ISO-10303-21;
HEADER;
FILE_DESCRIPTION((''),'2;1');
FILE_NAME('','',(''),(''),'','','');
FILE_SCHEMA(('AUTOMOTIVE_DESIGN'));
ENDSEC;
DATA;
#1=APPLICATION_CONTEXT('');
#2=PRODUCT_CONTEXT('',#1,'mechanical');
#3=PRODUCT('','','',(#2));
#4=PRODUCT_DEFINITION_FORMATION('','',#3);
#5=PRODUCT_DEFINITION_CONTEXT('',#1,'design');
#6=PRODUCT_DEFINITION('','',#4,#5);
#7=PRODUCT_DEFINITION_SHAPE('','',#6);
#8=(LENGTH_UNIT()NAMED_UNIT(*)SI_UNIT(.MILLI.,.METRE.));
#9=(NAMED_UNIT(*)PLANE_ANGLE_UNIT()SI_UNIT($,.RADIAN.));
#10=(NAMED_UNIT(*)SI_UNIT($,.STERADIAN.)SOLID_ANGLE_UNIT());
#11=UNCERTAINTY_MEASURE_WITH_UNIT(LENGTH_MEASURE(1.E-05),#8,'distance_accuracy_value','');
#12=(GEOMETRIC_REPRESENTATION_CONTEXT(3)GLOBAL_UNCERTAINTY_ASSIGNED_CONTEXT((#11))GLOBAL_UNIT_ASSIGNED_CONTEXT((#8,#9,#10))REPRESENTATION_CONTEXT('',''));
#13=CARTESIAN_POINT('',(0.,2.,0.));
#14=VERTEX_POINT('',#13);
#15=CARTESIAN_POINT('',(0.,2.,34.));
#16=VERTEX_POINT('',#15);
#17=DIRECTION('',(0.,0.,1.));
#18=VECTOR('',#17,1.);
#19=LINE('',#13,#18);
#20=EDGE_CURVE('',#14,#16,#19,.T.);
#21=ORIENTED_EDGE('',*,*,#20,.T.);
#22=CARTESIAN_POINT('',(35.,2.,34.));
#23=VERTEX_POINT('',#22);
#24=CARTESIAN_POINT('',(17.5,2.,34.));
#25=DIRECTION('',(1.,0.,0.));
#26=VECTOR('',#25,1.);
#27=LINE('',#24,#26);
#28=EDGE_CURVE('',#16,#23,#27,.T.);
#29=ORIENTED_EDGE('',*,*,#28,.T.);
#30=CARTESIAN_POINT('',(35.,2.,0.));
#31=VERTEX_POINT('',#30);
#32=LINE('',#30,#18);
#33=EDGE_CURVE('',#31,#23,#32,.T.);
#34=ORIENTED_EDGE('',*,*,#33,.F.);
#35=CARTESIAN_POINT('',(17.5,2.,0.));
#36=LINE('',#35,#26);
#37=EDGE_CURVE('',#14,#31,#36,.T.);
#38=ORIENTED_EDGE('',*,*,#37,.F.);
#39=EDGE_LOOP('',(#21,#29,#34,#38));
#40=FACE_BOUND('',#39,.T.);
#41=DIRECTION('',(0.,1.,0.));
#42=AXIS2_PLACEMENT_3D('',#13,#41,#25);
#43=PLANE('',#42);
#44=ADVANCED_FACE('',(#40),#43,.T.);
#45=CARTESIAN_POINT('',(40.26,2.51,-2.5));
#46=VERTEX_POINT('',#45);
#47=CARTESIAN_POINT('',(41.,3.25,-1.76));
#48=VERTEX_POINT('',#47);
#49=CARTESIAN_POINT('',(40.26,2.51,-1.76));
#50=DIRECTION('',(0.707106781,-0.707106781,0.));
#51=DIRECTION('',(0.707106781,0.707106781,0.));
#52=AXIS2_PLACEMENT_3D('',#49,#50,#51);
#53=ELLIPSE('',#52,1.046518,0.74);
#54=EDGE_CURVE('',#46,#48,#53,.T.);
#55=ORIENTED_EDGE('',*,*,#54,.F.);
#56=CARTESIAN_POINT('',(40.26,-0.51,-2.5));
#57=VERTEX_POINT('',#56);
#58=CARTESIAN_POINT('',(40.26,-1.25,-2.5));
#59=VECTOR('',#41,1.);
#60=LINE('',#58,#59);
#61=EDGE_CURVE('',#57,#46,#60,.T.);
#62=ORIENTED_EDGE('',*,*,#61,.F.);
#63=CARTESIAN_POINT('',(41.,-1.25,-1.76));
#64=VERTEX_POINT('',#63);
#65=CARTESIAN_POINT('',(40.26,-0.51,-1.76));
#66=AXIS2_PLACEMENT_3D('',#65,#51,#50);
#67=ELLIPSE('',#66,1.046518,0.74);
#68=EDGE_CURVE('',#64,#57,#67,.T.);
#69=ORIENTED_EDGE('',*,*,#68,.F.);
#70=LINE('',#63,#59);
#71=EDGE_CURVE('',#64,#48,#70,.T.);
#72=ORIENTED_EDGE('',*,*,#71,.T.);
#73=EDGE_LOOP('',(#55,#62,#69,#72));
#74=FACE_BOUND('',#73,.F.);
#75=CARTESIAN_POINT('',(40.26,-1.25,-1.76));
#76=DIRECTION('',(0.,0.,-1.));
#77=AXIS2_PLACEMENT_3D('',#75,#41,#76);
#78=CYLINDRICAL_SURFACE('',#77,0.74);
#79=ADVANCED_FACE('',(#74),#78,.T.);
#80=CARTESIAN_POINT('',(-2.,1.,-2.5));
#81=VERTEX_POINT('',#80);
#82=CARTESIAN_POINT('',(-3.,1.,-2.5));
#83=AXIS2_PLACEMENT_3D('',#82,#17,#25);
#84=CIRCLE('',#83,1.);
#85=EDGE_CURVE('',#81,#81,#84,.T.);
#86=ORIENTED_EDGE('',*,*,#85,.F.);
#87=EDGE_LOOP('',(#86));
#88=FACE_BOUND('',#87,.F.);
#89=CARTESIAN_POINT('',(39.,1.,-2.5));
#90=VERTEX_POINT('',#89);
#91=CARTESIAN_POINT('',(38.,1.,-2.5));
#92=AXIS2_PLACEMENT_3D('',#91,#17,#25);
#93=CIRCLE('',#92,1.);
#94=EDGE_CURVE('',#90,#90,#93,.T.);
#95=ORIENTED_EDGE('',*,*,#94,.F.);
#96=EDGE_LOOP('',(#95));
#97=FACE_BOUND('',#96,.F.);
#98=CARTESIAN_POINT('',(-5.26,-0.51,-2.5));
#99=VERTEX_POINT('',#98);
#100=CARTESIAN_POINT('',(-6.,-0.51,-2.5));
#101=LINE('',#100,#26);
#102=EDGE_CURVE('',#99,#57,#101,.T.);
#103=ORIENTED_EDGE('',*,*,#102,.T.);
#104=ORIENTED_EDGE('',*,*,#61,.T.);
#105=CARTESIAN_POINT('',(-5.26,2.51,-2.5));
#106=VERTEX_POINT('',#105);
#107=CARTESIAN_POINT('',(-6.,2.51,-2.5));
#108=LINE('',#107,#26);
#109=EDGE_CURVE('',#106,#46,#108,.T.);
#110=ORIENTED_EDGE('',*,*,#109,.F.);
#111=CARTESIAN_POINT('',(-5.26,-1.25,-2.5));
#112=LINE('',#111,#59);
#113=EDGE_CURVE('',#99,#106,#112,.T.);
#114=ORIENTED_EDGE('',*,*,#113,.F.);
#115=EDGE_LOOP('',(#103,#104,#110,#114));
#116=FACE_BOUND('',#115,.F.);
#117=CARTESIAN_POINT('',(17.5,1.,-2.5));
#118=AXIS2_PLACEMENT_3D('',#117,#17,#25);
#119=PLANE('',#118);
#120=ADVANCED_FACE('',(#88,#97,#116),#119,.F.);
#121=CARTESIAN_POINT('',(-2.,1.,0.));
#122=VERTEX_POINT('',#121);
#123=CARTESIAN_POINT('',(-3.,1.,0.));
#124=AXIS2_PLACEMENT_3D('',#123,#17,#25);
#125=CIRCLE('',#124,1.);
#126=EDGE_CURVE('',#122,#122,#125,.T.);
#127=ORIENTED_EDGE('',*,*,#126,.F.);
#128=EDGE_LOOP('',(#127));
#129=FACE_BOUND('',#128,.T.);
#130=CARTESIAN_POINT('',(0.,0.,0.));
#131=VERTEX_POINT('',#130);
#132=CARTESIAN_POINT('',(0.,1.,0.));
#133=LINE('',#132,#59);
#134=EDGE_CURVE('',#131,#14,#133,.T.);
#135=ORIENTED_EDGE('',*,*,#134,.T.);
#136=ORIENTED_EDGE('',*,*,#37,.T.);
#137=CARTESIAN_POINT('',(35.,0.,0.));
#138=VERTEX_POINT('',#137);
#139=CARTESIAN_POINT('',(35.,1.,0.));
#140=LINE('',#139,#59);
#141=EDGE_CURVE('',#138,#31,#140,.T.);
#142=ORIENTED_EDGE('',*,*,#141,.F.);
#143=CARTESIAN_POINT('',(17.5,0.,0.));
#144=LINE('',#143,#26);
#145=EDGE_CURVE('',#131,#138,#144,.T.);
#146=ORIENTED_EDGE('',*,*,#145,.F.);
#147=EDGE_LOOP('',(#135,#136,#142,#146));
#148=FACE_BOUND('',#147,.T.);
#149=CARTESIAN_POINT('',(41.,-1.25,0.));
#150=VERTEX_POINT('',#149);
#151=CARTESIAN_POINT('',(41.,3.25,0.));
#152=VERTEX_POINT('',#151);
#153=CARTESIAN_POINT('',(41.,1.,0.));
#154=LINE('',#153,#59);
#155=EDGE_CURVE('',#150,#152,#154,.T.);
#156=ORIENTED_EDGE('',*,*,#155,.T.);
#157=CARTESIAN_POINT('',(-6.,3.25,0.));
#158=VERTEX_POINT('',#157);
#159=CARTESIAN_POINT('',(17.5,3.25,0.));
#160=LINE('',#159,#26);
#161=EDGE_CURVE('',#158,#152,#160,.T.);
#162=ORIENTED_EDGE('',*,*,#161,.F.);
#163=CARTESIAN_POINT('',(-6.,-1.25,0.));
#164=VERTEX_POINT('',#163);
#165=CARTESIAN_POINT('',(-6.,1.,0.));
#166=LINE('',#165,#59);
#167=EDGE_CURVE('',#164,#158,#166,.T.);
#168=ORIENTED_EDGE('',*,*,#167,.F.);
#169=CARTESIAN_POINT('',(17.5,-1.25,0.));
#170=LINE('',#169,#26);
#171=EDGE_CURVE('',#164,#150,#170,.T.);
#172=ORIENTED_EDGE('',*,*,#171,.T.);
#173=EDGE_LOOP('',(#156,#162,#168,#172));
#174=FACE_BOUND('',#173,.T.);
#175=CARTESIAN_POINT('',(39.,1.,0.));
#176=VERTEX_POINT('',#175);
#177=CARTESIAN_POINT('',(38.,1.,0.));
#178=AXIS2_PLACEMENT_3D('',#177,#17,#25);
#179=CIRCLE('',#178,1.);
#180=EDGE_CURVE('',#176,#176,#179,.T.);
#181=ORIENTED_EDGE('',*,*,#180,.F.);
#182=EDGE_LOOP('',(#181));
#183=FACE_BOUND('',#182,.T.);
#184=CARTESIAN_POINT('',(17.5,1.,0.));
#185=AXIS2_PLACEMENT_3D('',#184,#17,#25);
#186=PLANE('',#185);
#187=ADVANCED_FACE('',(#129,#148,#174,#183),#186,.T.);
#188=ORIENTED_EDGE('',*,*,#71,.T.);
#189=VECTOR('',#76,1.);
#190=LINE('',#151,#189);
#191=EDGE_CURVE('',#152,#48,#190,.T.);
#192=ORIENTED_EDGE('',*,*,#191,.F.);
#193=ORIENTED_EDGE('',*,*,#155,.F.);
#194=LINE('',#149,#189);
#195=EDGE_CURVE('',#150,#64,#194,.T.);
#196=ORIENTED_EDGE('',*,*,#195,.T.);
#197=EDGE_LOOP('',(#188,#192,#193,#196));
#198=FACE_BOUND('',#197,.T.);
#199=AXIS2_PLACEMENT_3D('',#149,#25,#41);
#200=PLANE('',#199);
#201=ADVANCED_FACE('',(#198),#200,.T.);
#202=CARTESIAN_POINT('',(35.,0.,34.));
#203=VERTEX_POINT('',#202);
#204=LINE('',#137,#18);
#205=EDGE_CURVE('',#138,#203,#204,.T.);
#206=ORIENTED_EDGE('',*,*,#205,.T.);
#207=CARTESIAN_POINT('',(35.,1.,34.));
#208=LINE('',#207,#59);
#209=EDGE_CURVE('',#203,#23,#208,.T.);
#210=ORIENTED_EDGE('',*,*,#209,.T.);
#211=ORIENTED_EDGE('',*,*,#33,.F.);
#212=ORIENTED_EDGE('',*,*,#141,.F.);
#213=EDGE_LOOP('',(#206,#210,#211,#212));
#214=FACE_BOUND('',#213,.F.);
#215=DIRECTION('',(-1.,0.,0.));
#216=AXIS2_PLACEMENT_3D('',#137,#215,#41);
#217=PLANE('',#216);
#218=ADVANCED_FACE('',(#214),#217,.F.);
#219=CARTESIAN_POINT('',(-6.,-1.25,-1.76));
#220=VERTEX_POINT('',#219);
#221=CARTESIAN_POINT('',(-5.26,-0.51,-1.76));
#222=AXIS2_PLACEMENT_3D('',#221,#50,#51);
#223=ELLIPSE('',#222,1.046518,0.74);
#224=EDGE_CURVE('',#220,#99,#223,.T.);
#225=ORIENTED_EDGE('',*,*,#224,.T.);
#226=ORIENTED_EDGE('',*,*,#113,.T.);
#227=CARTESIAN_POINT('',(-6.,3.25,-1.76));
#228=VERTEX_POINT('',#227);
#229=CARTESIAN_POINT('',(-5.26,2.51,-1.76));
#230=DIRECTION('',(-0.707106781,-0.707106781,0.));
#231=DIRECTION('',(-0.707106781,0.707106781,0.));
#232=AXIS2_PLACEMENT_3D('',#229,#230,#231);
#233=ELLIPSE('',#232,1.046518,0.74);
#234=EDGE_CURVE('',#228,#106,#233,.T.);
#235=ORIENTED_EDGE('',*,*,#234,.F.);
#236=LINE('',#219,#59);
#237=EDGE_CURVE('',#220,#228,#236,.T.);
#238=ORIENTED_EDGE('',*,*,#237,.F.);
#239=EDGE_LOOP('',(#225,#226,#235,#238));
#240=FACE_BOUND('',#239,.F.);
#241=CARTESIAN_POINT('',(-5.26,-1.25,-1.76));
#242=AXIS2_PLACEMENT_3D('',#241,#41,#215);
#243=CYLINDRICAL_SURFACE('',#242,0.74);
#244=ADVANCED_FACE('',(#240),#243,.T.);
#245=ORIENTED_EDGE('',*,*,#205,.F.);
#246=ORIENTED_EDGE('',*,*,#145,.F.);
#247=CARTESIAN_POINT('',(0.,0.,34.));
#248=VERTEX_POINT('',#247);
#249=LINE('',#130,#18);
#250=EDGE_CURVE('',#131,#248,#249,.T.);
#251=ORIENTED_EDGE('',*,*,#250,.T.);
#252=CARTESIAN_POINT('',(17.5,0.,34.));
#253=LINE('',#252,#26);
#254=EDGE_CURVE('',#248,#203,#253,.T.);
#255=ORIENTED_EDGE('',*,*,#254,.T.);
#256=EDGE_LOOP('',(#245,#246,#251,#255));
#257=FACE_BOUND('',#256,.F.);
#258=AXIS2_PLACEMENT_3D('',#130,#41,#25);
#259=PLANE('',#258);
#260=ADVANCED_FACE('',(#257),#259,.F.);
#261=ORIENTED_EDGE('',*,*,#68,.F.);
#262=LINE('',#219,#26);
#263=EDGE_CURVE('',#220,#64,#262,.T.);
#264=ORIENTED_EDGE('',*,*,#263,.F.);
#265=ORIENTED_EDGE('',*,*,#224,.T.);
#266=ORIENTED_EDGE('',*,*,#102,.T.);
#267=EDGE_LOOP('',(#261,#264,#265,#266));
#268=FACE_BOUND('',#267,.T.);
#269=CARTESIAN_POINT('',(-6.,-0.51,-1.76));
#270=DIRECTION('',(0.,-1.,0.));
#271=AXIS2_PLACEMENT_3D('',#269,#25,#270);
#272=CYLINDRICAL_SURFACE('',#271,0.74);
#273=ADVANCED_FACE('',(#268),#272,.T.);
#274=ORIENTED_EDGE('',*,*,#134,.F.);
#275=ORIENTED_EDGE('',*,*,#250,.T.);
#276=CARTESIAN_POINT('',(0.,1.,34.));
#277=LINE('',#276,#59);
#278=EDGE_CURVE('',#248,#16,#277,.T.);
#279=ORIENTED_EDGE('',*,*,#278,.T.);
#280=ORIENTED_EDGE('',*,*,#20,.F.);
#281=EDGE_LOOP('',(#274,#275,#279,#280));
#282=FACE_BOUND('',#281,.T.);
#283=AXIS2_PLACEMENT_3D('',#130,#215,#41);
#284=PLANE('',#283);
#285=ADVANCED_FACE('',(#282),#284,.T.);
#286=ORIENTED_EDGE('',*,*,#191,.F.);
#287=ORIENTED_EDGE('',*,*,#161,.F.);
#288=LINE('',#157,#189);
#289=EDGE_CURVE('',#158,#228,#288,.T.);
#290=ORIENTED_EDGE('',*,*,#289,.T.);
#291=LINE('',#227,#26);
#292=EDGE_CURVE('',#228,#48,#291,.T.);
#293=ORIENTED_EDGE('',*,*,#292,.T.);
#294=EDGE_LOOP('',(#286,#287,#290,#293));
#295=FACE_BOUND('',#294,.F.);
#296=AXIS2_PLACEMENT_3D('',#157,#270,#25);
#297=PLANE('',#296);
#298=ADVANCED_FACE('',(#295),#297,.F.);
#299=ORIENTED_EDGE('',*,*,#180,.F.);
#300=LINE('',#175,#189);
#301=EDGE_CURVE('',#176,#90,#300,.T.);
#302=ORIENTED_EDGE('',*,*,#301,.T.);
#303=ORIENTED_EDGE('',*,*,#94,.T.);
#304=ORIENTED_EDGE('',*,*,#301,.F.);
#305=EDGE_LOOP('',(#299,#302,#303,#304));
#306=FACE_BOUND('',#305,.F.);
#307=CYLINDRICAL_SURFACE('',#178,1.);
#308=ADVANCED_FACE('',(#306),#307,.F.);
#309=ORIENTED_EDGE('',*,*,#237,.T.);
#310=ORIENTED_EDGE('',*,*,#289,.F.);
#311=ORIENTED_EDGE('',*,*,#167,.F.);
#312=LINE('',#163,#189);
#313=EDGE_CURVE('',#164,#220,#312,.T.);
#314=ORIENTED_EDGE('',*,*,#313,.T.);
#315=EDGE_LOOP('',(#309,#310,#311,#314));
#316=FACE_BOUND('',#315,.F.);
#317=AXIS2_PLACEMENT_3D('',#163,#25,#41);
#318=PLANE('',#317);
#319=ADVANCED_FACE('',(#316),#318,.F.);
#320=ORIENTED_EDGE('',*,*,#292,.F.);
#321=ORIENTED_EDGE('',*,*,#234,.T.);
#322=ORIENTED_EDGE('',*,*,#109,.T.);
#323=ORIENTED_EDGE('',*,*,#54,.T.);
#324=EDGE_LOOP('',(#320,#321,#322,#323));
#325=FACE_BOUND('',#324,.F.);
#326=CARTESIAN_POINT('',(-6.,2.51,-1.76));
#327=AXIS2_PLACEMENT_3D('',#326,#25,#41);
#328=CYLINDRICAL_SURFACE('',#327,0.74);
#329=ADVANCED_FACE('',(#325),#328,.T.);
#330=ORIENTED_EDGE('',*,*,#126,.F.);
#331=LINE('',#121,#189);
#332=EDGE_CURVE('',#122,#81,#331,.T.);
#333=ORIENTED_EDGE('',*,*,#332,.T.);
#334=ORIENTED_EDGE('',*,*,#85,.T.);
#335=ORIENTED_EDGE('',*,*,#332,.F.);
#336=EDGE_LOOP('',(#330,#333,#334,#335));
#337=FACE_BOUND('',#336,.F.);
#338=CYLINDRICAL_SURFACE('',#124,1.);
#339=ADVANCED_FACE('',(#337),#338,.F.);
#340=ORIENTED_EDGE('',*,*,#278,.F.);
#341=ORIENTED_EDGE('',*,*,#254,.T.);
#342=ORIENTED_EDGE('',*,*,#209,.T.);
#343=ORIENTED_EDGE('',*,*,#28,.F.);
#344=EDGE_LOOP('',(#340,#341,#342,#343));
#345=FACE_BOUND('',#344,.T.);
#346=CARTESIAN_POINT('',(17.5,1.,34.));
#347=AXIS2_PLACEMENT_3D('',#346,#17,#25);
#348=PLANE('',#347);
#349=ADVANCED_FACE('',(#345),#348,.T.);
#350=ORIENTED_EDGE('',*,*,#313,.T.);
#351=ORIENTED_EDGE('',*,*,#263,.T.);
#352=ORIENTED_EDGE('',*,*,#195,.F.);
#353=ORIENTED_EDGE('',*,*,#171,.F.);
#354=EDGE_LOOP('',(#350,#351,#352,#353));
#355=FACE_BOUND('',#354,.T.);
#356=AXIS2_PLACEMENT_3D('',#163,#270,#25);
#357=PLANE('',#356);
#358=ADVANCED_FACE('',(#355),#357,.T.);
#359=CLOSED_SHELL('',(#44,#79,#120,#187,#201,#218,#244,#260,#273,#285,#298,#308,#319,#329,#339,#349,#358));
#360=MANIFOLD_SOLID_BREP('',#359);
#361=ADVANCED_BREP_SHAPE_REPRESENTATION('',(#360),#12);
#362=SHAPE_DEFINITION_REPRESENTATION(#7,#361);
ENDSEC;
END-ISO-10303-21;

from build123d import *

# Parameters (mm, degrees)
F0_W     = 35
F0_H     = 2
F1_DEPTH = 34
F2_W     = 47
F2_H     = 4.5
F2_R     = 1
F3_DEPTH = 2.5
F4_R     = 0.74


with BuildPart() as f1:
    # F0 (on Top) → F1 (new body)
    with BuildSketch(Plane.XY):
        with Locations((17.5, 1)):
            Rectangle(F0_W, F0_H)
    extrude(amount=F1_DEPTH)

    # F2 (on Top) → F3 (join)
    with BuildSketch(Plane.XY):
        with Locations((17.5, 1)):
            Rectangle(F2_W, F2_H)
        with Locations((-3, 1)):
            Circle(F2_R, mode=Mode.SUBTRACT)
        with Locations((38, 1)):
            Circle(F2_R, mode=Mode.SUBTRACT)
    extrude(amount=-F3_DEPTH)

    # F4
    f4_edges = [f1.edges().sort_by_distance(p)[0] for p in [
        (-6, 1, -2.5),
        (17.5, -1.25, -2.5),
        (41, 1, -2.5),
        (17.5, 3.25, -2.5),
    ]]
    fillet(f4_edges, radius=F4_R)


solid = f1.part
